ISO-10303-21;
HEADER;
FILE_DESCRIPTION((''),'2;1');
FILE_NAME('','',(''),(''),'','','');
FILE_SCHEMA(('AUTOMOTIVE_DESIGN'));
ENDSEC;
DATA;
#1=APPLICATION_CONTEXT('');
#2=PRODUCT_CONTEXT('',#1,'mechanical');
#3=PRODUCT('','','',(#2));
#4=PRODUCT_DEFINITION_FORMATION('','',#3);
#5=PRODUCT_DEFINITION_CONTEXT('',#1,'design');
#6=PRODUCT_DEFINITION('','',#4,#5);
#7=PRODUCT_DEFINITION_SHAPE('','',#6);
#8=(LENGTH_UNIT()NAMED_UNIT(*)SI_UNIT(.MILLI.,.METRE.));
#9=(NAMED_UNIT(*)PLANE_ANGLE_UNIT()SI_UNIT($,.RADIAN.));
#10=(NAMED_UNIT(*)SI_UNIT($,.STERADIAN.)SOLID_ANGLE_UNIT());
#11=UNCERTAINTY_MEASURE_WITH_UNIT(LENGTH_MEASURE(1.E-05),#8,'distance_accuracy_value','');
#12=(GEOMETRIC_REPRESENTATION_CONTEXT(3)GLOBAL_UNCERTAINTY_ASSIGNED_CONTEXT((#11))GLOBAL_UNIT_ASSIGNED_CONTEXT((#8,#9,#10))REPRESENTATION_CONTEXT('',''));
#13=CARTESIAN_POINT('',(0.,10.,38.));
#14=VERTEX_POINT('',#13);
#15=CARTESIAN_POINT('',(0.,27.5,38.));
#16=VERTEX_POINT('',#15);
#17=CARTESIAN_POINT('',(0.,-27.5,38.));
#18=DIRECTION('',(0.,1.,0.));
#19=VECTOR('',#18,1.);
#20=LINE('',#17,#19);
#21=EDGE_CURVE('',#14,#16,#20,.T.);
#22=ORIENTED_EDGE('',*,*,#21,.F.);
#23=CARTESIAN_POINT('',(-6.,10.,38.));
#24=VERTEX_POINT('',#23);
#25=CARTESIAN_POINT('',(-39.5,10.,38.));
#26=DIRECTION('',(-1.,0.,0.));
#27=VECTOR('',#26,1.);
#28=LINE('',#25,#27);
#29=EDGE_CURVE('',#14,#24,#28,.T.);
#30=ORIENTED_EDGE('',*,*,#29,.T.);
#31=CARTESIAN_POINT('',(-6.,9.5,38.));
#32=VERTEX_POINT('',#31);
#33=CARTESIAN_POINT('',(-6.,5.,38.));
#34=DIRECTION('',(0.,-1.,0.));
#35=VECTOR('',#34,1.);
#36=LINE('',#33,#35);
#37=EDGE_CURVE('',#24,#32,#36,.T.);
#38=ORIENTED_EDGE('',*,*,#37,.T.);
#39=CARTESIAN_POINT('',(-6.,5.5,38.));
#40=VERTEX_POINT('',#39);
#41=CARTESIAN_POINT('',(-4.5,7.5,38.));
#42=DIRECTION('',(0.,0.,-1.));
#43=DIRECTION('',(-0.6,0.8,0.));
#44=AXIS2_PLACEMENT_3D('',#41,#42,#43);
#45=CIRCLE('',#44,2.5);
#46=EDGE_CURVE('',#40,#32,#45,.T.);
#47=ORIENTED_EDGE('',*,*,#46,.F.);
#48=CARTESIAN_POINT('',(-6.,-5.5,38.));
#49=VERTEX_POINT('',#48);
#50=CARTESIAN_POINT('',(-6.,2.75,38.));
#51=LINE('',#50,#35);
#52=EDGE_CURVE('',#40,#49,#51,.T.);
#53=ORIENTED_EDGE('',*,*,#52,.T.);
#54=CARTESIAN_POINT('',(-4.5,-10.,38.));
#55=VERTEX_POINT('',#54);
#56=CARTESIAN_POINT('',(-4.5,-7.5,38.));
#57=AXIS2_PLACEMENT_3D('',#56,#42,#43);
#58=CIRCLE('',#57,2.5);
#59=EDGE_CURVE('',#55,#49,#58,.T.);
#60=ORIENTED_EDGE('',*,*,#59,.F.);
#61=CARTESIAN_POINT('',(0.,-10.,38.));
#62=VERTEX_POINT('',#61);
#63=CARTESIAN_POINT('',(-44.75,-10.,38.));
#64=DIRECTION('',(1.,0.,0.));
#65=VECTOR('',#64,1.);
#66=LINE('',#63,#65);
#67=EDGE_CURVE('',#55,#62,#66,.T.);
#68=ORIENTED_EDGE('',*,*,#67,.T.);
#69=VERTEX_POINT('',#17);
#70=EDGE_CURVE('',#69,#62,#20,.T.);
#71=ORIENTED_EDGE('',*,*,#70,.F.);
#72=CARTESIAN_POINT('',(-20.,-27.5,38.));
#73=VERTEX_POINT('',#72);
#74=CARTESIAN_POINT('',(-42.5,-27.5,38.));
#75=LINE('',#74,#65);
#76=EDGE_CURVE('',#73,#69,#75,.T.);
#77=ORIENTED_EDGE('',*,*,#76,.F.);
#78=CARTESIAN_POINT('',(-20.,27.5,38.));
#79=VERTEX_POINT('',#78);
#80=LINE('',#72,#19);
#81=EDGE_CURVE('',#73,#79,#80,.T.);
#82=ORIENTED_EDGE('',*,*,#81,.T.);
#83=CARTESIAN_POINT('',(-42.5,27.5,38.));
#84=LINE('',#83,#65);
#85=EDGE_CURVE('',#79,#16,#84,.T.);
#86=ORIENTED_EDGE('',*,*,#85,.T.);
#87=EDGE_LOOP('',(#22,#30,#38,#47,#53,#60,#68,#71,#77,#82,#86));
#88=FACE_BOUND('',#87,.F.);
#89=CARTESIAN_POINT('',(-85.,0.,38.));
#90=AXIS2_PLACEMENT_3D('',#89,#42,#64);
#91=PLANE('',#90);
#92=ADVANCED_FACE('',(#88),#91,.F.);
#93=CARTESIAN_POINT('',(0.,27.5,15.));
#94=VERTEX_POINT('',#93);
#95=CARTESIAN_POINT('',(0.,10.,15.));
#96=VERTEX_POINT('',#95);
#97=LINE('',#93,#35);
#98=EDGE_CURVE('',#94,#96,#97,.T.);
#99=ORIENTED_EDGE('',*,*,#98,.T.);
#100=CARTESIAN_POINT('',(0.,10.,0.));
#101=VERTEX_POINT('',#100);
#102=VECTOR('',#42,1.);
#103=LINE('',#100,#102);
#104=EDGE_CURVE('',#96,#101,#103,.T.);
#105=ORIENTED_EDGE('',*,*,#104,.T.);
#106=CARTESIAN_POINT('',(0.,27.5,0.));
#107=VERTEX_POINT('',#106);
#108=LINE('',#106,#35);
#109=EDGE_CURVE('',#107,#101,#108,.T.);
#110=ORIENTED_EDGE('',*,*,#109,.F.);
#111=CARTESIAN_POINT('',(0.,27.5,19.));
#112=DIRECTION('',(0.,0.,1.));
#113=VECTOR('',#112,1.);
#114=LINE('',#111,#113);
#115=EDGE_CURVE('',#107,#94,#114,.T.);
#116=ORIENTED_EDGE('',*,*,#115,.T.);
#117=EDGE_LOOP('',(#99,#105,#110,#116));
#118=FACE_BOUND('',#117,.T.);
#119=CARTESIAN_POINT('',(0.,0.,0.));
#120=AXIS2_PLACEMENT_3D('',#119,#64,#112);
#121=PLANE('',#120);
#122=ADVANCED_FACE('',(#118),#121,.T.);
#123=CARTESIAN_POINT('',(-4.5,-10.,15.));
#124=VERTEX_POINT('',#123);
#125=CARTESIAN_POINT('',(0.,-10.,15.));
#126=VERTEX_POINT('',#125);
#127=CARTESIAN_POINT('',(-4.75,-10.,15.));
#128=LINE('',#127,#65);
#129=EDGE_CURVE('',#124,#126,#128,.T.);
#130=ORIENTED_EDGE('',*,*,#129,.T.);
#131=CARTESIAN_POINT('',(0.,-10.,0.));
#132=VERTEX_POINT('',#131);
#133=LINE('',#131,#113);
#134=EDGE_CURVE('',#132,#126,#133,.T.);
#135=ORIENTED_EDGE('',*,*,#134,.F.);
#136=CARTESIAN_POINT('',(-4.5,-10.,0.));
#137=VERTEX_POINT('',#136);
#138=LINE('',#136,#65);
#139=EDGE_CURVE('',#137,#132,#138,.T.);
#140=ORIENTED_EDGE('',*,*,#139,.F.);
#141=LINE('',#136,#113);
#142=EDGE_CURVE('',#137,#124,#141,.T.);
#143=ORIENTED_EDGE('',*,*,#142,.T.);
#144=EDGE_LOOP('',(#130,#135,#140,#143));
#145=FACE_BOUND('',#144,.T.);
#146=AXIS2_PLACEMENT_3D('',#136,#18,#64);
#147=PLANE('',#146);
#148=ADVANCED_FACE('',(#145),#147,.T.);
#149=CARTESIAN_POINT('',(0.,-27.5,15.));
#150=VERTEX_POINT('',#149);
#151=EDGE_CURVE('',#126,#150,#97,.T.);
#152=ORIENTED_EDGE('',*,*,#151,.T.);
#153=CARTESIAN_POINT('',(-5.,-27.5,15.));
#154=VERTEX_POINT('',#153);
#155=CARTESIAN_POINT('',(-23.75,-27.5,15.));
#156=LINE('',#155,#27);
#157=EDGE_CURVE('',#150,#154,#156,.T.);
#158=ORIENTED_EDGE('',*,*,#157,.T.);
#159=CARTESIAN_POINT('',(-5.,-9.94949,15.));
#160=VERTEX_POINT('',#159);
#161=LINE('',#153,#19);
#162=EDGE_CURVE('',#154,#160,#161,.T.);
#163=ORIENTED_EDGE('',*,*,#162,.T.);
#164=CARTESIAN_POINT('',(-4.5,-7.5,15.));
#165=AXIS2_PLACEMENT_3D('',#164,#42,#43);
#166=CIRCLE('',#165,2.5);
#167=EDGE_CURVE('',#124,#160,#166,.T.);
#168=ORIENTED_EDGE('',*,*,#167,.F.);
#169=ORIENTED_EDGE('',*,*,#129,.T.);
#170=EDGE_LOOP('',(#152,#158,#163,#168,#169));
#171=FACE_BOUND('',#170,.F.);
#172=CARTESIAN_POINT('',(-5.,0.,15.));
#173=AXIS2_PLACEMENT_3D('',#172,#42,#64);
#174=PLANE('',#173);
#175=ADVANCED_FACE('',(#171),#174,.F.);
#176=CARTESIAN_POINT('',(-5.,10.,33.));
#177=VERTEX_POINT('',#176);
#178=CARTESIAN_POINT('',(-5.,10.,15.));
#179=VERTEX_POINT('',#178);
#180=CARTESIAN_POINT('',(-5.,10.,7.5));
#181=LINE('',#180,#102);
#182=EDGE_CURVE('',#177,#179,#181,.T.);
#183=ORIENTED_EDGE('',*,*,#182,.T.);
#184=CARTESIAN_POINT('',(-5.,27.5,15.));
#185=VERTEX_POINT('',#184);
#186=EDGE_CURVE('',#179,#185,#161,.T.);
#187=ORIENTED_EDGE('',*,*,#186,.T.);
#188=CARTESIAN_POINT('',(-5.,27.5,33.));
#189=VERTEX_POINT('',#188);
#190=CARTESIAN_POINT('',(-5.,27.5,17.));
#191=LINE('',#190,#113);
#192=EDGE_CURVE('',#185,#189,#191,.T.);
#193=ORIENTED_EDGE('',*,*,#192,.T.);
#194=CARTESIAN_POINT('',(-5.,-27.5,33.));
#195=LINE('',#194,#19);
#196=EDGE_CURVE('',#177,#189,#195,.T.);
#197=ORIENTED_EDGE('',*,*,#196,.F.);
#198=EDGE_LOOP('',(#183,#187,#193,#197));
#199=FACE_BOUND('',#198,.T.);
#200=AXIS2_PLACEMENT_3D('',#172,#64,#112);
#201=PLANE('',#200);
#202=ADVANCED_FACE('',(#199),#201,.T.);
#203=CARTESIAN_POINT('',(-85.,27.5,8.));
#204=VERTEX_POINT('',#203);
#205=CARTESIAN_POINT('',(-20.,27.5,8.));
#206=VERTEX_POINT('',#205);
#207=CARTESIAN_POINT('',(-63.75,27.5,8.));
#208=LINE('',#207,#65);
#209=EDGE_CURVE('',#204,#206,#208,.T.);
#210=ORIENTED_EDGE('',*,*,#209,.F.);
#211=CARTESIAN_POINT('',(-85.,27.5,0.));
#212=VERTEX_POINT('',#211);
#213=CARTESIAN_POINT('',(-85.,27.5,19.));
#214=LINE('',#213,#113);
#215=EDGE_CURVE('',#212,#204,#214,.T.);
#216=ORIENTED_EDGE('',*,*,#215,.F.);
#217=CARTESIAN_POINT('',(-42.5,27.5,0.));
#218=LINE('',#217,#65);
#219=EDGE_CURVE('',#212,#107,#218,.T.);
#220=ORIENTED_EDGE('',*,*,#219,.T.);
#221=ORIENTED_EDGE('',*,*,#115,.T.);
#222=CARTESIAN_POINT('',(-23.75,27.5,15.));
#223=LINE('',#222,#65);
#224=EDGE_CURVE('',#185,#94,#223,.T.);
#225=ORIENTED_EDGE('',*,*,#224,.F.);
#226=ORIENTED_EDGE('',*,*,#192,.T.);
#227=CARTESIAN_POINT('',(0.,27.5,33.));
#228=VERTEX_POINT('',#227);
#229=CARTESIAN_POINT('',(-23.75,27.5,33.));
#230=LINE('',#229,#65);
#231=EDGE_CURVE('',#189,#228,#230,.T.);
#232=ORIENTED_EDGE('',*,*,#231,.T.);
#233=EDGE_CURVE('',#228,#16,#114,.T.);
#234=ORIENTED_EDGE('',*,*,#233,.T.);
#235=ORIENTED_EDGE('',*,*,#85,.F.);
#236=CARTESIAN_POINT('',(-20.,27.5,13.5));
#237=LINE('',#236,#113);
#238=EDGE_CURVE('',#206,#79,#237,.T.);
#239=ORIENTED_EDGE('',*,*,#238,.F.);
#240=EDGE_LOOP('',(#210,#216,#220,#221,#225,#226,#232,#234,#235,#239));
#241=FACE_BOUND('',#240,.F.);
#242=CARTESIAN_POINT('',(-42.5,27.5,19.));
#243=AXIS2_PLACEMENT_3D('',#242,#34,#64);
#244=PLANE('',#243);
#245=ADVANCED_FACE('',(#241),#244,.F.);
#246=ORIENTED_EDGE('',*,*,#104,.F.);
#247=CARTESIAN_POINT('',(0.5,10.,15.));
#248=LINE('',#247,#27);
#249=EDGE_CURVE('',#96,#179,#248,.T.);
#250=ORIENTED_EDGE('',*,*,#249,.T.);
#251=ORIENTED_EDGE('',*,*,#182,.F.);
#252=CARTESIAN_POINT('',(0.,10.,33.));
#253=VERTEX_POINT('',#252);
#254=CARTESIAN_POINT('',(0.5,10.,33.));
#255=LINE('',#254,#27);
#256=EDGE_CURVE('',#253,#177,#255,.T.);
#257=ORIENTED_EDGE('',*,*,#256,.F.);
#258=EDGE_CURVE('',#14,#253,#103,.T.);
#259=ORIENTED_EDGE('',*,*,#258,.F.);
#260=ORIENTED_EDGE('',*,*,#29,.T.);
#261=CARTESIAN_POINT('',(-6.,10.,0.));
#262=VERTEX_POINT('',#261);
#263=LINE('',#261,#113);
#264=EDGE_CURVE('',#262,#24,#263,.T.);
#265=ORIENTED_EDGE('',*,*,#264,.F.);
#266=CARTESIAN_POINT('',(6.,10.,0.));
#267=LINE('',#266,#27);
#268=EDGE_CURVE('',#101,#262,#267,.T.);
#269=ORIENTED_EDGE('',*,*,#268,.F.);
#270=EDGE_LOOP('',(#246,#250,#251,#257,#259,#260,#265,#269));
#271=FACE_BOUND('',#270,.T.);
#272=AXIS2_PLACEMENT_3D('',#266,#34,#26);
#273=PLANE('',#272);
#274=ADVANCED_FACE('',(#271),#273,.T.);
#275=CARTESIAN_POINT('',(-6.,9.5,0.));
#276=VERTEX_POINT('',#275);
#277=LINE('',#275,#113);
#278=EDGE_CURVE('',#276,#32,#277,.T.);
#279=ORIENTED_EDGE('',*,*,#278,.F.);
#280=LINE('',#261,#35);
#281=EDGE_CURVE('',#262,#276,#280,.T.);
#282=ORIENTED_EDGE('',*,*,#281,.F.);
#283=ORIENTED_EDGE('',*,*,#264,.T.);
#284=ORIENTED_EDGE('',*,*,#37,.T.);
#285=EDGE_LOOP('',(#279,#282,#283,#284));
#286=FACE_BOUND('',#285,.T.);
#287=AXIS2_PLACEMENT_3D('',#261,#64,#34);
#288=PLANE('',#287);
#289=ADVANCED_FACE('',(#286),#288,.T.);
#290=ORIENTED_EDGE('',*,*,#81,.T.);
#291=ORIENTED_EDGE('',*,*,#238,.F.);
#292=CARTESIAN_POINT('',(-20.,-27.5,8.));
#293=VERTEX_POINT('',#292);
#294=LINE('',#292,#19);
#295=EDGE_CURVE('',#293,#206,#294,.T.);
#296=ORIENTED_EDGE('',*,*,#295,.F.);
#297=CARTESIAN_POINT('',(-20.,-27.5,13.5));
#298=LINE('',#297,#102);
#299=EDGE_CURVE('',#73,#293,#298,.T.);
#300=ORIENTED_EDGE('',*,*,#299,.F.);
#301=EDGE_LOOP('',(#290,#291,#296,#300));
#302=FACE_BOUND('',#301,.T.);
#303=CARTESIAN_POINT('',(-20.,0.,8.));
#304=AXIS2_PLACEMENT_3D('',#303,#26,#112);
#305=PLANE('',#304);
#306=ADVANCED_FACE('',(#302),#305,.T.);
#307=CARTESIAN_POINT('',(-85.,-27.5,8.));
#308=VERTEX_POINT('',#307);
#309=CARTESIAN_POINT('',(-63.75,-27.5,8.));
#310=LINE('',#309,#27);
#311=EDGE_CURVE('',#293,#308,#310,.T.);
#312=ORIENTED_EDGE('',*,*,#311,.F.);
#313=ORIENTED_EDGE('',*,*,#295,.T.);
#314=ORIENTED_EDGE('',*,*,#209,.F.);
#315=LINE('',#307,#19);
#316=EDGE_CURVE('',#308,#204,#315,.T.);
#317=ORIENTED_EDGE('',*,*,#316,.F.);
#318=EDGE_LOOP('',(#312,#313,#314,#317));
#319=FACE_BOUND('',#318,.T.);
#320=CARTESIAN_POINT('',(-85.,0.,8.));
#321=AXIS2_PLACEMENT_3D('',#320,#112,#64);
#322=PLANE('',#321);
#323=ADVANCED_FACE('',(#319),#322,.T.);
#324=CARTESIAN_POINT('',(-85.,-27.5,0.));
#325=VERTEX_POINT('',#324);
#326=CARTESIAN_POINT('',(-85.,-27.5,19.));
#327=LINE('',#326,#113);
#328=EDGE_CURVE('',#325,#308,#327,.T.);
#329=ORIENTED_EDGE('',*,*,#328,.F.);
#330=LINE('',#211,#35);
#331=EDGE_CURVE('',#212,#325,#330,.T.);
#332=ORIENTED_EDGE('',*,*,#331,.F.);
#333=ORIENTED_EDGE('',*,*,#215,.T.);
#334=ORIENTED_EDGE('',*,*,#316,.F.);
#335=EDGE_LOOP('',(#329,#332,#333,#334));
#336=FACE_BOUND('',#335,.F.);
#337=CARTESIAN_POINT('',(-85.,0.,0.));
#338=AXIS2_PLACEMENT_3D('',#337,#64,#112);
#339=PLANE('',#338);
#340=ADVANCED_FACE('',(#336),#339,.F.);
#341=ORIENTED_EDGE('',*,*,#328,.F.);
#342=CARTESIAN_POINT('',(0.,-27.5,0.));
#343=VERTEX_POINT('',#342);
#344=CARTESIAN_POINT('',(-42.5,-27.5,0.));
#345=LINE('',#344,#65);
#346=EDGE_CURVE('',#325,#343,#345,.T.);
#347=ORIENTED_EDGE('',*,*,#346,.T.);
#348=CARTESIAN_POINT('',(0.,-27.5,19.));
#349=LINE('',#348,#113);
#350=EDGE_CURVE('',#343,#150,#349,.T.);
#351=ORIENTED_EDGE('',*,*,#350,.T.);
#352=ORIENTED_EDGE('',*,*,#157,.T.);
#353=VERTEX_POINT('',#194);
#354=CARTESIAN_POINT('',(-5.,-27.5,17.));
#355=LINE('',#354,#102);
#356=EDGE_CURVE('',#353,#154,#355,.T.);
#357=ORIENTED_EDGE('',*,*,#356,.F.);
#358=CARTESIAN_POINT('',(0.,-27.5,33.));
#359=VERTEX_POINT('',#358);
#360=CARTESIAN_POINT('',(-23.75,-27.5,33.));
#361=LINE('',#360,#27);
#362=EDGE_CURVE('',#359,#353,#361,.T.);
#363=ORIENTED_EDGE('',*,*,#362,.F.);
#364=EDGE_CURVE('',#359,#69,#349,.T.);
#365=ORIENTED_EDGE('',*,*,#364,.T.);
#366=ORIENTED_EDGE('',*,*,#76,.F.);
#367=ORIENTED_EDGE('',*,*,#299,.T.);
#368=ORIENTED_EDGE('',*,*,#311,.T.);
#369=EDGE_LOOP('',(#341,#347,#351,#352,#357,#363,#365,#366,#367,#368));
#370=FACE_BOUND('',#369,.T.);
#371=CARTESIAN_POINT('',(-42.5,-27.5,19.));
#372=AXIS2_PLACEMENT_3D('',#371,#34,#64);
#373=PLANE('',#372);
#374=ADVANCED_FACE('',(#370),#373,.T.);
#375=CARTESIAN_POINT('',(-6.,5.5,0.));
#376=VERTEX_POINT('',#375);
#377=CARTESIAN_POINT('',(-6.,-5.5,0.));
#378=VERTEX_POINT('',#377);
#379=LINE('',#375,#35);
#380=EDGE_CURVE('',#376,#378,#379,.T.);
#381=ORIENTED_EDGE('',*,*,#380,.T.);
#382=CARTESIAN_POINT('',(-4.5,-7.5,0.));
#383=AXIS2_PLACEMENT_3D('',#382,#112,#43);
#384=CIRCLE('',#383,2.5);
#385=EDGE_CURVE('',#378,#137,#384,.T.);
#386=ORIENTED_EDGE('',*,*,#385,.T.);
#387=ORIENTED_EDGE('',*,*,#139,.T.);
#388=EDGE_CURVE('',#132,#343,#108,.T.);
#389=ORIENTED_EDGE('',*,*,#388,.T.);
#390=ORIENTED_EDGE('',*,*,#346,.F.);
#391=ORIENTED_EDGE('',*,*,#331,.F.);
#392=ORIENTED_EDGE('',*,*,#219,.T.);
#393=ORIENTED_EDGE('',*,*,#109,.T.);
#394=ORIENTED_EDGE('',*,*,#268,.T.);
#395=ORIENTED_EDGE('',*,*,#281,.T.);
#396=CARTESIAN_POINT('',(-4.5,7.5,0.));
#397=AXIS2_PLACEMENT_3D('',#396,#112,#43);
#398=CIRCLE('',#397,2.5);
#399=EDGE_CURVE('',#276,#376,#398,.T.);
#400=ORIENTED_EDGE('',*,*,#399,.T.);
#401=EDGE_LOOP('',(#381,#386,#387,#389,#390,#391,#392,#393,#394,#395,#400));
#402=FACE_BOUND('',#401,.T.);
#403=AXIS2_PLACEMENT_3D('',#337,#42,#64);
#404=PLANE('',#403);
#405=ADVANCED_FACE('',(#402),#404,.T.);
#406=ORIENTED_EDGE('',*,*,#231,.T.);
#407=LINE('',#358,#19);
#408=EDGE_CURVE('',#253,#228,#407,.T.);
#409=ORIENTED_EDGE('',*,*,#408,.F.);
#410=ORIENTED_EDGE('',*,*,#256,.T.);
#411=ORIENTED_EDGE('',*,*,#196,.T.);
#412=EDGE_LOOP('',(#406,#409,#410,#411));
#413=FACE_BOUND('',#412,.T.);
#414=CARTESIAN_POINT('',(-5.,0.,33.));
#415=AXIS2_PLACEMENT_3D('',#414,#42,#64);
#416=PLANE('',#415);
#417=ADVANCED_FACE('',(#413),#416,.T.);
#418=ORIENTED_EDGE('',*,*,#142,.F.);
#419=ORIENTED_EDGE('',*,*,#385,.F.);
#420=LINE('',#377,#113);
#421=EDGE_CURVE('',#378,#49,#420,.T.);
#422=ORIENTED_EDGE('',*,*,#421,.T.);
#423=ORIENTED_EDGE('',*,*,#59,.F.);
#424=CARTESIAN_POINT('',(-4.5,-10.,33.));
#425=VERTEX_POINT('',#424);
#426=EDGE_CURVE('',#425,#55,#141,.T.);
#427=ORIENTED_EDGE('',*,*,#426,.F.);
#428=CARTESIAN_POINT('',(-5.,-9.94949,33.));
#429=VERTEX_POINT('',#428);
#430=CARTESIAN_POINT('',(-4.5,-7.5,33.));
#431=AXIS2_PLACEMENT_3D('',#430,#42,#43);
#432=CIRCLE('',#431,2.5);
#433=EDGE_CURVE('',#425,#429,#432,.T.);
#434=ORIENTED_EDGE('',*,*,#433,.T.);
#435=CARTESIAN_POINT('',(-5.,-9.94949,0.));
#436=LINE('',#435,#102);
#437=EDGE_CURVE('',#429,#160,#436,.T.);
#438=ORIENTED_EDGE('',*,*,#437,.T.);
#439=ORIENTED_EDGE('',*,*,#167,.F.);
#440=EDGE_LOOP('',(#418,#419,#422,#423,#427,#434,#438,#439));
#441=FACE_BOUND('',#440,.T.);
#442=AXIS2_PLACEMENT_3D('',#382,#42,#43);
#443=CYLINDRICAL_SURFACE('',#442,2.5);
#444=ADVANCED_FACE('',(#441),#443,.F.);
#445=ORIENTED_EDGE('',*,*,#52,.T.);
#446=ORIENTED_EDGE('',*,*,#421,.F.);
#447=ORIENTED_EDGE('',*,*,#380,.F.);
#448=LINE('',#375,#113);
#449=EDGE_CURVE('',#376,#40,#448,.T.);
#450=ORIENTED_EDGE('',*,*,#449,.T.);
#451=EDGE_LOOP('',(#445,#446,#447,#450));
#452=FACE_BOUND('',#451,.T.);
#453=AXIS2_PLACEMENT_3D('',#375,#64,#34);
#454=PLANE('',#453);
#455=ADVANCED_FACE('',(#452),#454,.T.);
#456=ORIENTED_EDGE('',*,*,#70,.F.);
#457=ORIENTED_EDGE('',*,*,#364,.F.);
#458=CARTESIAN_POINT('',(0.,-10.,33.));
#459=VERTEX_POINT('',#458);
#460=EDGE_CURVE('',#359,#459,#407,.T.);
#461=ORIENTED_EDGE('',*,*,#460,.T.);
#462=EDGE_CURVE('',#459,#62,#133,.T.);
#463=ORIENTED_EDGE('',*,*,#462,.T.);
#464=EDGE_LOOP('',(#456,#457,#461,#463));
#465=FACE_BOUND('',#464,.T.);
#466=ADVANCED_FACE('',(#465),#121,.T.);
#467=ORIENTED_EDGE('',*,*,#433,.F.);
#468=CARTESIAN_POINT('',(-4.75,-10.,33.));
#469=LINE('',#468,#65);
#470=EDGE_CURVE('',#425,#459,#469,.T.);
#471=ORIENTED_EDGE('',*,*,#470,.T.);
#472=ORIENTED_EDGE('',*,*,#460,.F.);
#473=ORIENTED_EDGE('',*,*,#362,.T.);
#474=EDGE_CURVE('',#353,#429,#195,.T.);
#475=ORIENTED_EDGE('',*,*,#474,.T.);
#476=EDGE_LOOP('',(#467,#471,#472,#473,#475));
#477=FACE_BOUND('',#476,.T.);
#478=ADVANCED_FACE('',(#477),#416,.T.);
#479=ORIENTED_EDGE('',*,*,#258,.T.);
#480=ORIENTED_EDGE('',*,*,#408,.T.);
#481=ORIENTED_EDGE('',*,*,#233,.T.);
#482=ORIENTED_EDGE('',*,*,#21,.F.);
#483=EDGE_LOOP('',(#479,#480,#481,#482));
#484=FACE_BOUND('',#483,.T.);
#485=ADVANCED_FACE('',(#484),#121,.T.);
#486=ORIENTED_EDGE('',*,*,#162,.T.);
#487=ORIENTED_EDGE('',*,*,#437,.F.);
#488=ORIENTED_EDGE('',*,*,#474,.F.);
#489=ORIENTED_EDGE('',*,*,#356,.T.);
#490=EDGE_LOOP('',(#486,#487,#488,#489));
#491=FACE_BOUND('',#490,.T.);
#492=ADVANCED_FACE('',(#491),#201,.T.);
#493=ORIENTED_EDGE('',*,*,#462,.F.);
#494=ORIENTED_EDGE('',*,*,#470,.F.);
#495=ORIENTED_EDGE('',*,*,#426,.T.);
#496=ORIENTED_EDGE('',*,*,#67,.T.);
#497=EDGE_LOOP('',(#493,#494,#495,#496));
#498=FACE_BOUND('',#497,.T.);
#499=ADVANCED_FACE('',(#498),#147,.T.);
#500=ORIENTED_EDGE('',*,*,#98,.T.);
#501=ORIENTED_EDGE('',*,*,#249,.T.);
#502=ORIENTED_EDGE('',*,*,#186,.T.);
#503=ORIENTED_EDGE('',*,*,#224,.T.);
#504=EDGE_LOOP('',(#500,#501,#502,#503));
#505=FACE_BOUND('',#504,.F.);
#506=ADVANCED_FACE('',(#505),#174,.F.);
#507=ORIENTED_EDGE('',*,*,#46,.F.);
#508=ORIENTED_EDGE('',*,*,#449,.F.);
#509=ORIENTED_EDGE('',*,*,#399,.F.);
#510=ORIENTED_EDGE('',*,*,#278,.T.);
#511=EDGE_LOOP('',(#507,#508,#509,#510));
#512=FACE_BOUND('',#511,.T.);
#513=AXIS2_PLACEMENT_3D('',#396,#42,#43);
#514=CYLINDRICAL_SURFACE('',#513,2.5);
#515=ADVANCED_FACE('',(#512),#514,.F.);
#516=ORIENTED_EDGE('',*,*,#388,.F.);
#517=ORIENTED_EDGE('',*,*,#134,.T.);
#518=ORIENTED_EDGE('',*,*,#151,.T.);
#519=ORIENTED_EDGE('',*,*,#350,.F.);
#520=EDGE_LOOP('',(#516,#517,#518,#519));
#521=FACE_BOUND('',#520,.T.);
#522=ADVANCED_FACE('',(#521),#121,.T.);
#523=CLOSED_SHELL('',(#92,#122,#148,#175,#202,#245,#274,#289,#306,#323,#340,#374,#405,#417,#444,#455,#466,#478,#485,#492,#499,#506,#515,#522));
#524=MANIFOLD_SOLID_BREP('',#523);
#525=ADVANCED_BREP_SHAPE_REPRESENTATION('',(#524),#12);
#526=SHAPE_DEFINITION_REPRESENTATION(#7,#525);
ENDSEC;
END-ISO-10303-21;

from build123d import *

# Parameters (mm, degrees)
F0_W          = 85
F0_H          = 38
F1_DEPTH      = 27.5
F2_W          = 65
F2_H          = 30
F3_DEPTH      = 27.501
F3_DEPTH_BACK = 27.501
F4_W          = 5
F4_H          = 18
F5_DEPTH      = 27.501
F5_DEPTH_BACK = 27.501
F7_DEPTH      = 38.001


with BuildPart() as f1:
    # F0 (on Front) → F1 (new body, symmetric)
    with BuildSketch(Plane.XZ):
        with Locations((-42.5, 19)):
            Rectangle(F0_W, F0_H)
    extrude(amount=F1_DEPTH, both=True)

    # F2 (on Front) → F3 (cut, two sides)
    with BuildSketch(Plane.XZ) as f3_sk:
        with Locations((-52.5, 23)):
            Rectangle(F2_W, F2_H)
    extrude(amount=-F3_DEPTH, mode=Mode.SUBTRACT)
    extrude(f3_sk.sketch, amount=F3_DEPTH_BACK, mode=Mode.SUBTRACT)

    # F4 (on Front) → F5 (cut, two sides)
    with BuildSketch(Plane.XZ) as f5_sk:
        with Locations((-2.5, 24)):
            Rectangle(F4_W, F4_H)
    extrude(amount=F5_DEPTH, mode=Mode.SUBTRACT)
    extrude(f5_sk.sketch, amount=-F5_DEPTH_BACK, mode=Mode.SUBTRACT)

    # F6 (on Top) → F7 (cut, through all)
    with BuildSketch(Plane.XY):
        with BuildLine():
            Line((-4.5, 10), (-6, 10))
            Line((-6, 10), (-6, 9.5))
            ThreePointArc((-6, 9.5), (-5.290569415, 9.8717082451), (-4.5, 10))
        make_face()
        with BuildLine():
            Line((4.5, 10), (-4.5, 10))
            ThreePointArc((-4.5, 10), (-5.290569415, 9.8717082451), (-6, 9.5))
            Line((-6, 9.5), (-6, 5.5))
            ThreePointArc((-6, 5.5), (-5.290569415, 5.1282917549), (-4.5, 5))
            Line((-4.5, 5), (4.5, 5))
            ThreePointArc((4.5, 5), (5.290569415, 5.1282917549), (6, 5.5))
            Line((6, 5.5), (6, 9.5))
            ThreePointArc((6, 9.5), (5.290569415, 9.8717082451), (4.5, 10))
        make_face()
        with BuildLine():
            Line((-6, 5.5), (-6, 9.5))
            ThreePointArc((-6, 9.5), (-7, 7.5), (-6, 5.5))
        make_face()
        with BuildLine():
            Line((6, 10), (4.5, 10))
            ThreePointArc((4.5, 10), (5.290569415, 9.8717082451), (6, 9.5))
            Line((6, 9.5), (6, 10))
        make_face()
        with BuildLine():
            ThreePointArc((-4.5, 5), (-5.290569415, 5.1282917549), (-6, 5.5))
            Line((-6, 5.5), (-6, -5.5))
            ThreePointArc((-6, -5.5), (-6.8717082451, -8.290569415), (-4.5, -10))
            Line((-4.5, -10), (4.5, -10))
            ThreePointArc((4.5, -10), (6.8717082451, -8.290569415), (6, -5.5))
            Line((6, -5.5), (6, 5.5))
            ThreePointArc((6, 5.5), (5.290569415, 5.1282917549), (4.5, 5))
            Line((4.5, 5), (-4.5, 5))
        make_face()
        with BuildLine():
            ThreePointArc((6, 5.5), (7, 7.5), (6, 9.5))
            Line((6, 9.5), (6, 5.5))
        make_face()
    extrude(amount=F7_DEPTH, mode=Mode.SUBTRACT)


solid = f1.part
